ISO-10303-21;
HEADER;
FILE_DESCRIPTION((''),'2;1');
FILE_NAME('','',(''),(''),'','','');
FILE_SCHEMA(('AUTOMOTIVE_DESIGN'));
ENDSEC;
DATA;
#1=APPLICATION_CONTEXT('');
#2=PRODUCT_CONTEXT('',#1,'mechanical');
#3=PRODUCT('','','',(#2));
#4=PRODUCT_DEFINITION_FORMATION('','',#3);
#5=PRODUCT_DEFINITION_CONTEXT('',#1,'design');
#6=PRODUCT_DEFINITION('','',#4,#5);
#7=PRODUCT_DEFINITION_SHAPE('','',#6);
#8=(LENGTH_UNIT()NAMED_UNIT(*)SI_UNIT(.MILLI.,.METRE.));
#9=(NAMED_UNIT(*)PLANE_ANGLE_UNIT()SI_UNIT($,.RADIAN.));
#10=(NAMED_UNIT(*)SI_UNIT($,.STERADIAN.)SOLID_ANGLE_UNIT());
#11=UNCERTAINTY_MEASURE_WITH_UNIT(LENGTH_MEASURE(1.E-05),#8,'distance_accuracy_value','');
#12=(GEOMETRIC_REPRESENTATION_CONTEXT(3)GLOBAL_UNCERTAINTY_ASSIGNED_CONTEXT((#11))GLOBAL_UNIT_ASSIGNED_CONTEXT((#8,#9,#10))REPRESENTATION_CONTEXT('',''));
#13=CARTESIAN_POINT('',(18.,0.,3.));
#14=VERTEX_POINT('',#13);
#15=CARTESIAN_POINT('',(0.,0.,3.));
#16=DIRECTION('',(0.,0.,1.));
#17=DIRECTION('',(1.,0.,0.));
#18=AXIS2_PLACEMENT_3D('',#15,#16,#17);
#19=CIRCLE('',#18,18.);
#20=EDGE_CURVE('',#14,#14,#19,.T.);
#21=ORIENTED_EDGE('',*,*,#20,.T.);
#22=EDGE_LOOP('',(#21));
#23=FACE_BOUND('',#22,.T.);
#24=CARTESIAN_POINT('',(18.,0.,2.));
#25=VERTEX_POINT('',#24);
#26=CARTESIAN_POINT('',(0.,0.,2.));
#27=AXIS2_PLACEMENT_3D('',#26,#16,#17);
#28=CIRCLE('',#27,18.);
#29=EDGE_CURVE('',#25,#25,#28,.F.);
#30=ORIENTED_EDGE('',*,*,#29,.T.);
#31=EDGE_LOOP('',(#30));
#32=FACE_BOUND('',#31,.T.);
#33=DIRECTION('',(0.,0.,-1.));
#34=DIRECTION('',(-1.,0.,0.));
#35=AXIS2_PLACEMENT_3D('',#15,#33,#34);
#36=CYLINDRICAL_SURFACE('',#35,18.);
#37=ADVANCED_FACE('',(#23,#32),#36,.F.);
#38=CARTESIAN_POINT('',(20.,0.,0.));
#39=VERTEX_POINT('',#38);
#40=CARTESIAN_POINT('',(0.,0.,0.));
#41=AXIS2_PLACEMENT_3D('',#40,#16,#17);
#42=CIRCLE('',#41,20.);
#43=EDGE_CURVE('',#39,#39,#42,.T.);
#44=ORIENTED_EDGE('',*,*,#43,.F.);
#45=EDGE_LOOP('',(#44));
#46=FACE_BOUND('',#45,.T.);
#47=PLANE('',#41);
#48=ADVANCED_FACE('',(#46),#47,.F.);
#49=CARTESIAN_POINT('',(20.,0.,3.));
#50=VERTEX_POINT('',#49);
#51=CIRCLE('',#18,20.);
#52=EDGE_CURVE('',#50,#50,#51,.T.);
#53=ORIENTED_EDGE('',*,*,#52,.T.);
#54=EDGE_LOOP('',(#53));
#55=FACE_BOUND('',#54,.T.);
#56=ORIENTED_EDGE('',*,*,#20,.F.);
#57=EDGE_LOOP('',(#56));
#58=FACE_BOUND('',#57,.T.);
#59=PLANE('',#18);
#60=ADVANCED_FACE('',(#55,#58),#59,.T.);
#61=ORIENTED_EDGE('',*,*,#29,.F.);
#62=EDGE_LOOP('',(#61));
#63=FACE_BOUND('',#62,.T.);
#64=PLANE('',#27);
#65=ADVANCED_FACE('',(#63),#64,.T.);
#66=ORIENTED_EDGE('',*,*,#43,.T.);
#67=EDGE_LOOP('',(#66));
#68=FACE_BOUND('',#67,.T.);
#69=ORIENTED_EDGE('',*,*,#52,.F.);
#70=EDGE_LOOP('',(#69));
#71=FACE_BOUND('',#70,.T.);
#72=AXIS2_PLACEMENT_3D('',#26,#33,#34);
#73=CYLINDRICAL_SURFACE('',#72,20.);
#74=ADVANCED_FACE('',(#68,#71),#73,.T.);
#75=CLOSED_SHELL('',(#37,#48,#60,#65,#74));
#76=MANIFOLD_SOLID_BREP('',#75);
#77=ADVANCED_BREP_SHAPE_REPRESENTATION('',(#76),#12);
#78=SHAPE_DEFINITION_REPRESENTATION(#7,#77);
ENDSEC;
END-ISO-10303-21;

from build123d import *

# Parameters (mm, degrees)
SKETCH_1_R      = 20
EXTRUDE_1_DEPTH = 2
SKETCH_2_R      = 20
SKETCH_2_R_2    = 18
EXTRUDE_2_DEPTH = 1


with BuildPart() as part:
    # 草图1 → 凸台-拉伸1 (new body)
    with BuildSketch(Plane.XY):
        Circle(SKETCH_1_R)
    extrude(amount=EXTRUDE_1_DEPTH)

    # 草图2 → 凸台-拉伸2 (add)
    with BuildSketch(Plane.XY.offset(2)):
        Circle(SKETCH_2_R)
        Circle(SKETCH_2_R_2, mode=Mode.SUBTRACT)
    extrude(amount=EXTRUDE_2_DEPTH)


solid = part.part
